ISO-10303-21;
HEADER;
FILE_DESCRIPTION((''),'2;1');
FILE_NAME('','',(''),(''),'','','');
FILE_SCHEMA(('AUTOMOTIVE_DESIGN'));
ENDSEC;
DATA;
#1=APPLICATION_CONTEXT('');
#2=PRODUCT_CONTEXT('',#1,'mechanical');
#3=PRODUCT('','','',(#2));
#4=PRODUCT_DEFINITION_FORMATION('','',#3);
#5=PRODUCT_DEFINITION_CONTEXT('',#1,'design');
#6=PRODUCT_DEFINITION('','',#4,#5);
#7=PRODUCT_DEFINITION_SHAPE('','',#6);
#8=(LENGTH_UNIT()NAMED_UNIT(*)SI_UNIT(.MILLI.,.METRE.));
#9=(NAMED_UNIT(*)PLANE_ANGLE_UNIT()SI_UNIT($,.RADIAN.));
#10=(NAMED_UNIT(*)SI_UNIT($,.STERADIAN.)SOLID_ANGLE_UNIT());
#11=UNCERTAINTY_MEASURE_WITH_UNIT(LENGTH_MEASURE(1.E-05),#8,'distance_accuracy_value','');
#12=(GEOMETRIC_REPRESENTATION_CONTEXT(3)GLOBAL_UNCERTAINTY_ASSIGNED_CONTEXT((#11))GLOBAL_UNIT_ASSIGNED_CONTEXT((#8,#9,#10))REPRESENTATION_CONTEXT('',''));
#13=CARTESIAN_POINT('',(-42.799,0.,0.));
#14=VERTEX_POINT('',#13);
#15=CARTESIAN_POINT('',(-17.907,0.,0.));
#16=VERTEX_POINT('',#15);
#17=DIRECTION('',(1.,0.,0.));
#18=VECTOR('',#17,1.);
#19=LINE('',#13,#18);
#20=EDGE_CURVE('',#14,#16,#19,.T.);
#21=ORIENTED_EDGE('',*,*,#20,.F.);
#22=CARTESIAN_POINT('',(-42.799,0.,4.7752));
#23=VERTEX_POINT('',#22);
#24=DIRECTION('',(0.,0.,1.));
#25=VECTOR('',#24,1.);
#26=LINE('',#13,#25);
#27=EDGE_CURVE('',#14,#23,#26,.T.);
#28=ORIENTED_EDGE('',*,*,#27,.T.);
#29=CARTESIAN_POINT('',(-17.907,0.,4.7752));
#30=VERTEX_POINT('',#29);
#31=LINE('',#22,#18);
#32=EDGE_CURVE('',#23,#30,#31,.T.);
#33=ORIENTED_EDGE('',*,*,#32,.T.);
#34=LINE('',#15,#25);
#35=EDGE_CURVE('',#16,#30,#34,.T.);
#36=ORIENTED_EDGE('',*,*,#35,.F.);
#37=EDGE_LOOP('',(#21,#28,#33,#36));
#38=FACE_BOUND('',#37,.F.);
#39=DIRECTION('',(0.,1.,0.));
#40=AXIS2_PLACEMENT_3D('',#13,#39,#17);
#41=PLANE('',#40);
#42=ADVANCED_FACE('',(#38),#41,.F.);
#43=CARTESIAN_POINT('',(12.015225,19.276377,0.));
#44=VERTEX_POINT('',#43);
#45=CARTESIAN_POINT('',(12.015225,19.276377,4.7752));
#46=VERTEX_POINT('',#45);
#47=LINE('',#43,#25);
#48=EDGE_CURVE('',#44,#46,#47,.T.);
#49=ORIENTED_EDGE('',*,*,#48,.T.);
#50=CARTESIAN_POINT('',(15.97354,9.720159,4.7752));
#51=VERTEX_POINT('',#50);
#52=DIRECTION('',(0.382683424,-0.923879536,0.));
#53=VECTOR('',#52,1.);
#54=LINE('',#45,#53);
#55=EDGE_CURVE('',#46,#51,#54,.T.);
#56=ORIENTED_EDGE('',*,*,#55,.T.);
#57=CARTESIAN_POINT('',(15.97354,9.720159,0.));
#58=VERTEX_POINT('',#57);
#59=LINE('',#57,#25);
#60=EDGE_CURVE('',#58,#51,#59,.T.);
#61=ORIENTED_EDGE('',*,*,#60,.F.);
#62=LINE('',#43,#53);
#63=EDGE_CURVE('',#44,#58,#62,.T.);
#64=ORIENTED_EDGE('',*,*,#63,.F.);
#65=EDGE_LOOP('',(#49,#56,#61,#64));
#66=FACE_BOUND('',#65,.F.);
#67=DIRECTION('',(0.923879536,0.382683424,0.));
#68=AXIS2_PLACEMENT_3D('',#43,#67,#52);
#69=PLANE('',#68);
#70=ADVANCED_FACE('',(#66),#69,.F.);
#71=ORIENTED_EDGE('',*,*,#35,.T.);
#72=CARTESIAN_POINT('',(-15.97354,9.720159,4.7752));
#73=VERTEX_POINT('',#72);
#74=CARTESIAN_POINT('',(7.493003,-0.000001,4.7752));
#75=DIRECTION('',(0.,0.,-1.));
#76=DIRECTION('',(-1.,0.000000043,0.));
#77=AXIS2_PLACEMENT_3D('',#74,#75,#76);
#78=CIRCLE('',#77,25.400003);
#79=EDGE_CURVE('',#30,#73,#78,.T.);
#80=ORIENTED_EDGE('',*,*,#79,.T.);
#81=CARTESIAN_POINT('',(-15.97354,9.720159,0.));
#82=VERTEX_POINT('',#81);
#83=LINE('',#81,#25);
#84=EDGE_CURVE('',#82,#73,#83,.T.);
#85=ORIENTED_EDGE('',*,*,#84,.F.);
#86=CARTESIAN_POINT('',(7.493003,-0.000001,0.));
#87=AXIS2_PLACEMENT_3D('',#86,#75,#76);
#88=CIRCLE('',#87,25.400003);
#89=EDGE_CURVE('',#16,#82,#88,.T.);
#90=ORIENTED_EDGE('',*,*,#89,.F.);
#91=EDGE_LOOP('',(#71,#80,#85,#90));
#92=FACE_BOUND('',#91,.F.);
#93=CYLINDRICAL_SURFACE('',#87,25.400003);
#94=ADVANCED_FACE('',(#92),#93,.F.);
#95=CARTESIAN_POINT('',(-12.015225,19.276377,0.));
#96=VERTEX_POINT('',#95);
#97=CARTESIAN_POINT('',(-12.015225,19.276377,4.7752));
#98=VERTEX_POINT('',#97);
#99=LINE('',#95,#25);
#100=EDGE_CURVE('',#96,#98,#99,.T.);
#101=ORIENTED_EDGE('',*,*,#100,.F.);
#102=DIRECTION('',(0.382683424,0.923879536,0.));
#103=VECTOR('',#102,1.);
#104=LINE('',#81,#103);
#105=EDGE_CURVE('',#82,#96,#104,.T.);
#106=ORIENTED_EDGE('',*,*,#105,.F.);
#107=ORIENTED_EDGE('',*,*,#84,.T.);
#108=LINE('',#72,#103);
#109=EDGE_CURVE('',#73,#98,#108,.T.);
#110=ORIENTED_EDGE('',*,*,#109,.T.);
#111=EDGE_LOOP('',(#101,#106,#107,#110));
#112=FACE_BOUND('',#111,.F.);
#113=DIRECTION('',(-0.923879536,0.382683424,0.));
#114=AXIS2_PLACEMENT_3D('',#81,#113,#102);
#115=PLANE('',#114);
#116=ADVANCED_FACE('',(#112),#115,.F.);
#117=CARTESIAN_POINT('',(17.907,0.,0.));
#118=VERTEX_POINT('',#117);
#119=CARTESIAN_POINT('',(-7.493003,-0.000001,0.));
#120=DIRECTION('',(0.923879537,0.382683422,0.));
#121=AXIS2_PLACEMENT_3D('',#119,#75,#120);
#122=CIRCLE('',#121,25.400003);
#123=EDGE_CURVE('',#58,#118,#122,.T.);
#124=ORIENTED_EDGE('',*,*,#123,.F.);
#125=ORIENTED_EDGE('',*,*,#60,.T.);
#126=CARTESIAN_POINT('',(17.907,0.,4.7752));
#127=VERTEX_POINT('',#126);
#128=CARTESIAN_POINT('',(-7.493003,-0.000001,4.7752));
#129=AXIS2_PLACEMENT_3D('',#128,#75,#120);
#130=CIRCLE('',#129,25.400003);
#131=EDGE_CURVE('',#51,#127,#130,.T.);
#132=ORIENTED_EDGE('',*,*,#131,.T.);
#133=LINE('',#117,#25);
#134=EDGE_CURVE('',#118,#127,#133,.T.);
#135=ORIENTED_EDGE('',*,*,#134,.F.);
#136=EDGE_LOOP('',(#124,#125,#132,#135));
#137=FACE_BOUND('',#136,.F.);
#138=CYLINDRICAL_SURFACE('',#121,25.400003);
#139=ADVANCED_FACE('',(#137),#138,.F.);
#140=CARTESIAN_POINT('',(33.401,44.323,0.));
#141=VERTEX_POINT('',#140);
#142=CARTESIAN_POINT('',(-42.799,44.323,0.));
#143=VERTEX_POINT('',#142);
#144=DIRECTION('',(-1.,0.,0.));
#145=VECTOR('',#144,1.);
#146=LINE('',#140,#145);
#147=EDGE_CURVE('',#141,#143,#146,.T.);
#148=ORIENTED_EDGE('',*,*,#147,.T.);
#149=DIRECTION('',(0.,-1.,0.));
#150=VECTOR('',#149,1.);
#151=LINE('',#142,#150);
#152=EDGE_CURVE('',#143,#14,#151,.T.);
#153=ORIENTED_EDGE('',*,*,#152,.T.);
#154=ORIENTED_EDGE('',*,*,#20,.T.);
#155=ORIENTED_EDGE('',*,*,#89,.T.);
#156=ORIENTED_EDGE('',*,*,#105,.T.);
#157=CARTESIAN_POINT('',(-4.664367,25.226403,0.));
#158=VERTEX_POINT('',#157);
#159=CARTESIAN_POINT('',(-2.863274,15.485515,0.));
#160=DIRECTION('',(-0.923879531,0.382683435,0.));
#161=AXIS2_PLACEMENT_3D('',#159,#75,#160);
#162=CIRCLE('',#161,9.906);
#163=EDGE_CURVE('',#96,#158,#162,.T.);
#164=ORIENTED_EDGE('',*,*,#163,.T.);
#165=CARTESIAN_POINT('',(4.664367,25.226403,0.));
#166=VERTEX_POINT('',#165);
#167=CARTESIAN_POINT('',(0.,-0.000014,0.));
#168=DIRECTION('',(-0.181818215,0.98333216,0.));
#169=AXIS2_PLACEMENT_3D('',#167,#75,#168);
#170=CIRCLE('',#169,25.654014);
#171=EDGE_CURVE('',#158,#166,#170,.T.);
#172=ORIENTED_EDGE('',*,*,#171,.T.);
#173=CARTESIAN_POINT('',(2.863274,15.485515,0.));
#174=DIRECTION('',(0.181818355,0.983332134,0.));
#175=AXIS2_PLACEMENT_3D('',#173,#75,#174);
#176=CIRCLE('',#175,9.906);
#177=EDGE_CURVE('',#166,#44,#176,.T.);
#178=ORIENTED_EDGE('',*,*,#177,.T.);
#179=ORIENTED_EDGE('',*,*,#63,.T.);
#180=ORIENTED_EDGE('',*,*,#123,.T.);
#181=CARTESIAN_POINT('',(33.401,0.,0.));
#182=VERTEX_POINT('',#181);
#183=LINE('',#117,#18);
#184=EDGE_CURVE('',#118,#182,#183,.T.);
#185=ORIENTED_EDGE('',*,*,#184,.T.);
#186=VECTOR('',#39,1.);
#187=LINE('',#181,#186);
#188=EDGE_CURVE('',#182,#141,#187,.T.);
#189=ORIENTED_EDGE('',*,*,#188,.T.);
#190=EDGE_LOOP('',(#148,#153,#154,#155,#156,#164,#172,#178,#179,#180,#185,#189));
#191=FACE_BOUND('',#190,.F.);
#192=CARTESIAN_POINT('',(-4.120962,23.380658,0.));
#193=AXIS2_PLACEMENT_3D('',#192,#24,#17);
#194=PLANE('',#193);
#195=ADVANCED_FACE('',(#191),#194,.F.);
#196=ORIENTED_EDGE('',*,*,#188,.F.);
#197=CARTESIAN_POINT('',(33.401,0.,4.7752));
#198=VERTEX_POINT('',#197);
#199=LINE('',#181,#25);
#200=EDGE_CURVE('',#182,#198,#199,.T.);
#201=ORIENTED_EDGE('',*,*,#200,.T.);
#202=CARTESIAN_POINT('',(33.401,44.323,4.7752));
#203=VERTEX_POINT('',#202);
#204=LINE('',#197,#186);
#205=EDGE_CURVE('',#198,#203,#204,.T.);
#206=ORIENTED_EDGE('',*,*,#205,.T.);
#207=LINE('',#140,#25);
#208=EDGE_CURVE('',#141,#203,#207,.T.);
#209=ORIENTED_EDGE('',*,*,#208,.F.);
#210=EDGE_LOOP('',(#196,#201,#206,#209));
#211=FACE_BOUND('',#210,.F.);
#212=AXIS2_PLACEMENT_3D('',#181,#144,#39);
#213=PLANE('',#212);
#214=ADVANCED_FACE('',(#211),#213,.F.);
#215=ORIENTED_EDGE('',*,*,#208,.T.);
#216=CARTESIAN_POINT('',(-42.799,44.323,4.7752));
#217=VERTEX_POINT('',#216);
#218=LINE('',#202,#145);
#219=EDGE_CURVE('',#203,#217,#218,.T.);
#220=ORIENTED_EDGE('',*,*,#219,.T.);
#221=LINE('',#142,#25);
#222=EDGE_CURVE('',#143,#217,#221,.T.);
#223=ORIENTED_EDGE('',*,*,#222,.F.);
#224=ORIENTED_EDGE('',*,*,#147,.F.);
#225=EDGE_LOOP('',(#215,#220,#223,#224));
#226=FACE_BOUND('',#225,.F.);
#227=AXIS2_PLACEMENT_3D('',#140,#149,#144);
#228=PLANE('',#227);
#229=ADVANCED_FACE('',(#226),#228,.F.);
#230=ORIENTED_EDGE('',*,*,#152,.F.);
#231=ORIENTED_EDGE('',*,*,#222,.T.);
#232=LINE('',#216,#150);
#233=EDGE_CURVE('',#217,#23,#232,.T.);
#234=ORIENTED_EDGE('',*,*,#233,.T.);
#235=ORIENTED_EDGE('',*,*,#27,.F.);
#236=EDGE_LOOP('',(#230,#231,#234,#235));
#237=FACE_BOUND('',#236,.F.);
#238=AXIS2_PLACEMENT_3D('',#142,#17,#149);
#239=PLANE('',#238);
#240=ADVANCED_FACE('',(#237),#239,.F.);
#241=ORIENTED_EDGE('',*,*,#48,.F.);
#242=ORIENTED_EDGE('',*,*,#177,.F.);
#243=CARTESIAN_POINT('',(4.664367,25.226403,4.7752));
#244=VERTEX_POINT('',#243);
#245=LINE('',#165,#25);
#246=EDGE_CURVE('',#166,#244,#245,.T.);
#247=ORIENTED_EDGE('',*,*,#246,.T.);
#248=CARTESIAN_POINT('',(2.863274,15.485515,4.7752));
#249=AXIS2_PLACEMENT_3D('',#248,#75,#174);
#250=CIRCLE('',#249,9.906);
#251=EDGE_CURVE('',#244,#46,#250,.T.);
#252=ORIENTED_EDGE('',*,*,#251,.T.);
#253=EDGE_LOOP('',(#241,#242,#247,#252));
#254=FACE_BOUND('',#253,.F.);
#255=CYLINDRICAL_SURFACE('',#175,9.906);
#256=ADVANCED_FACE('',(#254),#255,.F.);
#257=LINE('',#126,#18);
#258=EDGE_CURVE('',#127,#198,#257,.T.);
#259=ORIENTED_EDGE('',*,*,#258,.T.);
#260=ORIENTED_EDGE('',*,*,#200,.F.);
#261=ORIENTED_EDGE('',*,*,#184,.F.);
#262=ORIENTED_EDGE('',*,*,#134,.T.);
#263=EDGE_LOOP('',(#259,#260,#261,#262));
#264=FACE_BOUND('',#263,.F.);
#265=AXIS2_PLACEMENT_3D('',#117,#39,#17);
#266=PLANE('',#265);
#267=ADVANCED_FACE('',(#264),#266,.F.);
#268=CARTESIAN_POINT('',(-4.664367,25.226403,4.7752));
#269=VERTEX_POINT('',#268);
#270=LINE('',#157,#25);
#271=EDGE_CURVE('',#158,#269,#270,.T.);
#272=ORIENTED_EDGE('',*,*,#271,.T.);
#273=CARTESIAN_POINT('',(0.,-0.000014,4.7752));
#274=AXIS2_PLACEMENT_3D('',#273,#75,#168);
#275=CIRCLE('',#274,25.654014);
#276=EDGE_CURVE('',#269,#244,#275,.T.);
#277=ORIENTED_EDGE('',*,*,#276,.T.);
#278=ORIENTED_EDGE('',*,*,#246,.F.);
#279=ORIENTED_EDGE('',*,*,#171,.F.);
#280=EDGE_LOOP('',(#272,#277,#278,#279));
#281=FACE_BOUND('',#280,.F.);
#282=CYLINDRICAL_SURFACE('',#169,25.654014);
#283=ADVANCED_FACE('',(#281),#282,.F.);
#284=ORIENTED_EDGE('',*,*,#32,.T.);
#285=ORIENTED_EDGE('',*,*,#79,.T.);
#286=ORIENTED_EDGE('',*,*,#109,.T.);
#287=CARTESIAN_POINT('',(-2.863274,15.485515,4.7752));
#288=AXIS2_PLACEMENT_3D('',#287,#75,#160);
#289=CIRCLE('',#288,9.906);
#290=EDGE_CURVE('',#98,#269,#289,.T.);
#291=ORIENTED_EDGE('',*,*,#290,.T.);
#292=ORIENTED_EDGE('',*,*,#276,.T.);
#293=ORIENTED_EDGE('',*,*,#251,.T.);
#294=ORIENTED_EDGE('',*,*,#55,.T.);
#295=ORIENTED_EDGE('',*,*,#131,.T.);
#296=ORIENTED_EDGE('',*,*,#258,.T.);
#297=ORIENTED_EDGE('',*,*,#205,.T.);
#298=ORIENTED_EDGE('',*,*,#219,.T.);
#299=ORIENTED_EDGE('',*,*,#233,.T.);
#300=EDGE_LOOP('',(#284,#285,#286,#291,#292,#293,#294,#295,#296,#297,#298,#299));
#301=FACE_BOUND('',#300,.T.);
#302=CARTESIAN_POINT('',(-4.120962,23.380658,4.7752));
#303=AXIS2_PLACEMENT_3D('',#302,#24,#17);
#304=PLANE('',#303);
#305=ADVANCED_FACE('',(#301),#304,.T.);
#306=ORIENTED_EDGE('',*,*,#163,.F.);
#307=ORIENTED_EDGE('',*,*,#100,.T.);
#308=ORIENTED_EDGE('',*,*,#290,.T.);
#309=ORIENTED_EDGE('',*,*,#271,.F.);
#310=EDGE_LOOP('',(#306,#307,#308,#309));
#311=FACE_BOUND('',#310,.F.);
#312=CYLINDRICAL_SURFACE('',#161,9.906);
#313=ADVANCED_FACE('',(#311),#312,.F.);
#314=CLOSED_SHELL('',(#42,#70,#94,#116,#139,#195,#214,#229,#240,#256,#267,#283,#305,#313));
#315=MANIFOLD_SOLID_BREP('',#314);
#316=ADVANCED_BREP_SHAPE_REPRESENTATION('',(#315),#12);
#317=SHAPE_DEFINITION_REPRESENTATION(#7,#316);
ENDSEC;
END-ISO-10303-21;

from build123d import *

# Parameters (mm, degrees)
F1_DEPTH = 4.7752


with BuildPart() as f1:
    # F0 (on Top) → F1 (new body)
    with BuildSketch(Plane.XY):
        with BuildLine():
            Line((33.401, 44.323), (-42.799, 44.323))
            Line((-42.799, 44.323), (-42.799, 0))
            Line((-42.799, 0), (-17.907, 0))
            ThreePointArc((-17.907, 0), (-17.418946, 4.955294), (-15.97354, 9.720159))
            Line((-15.97354, 9.720159), (-12.015225, 19.276377))
            ThreePointArc((-12.015225, 19.276377), (-9.095689, 23.185245), (-4.664367, 25.226403))
            ThreePointArc((-4.664367, 25.226403), (0, 25.654), (4.664367, 25.226403))
            ThreePointArc((4.664367, 25.226403), (9.095689, 23.185245), (12.015225, 19.276377))
            Line((12.015225, 19.276377), (15.97354, 9.720159))
            ThreePointArc((15.97354, 9.720159), (17.418946, 4.955294), (17.907, 0))
            Line((17.907, 0), (33.401, 0))
            Line((33.401, 0), (33.401, 44.323))
        make_face()
    extrude(amount=F1_DEPTH)


solid = f1.part
